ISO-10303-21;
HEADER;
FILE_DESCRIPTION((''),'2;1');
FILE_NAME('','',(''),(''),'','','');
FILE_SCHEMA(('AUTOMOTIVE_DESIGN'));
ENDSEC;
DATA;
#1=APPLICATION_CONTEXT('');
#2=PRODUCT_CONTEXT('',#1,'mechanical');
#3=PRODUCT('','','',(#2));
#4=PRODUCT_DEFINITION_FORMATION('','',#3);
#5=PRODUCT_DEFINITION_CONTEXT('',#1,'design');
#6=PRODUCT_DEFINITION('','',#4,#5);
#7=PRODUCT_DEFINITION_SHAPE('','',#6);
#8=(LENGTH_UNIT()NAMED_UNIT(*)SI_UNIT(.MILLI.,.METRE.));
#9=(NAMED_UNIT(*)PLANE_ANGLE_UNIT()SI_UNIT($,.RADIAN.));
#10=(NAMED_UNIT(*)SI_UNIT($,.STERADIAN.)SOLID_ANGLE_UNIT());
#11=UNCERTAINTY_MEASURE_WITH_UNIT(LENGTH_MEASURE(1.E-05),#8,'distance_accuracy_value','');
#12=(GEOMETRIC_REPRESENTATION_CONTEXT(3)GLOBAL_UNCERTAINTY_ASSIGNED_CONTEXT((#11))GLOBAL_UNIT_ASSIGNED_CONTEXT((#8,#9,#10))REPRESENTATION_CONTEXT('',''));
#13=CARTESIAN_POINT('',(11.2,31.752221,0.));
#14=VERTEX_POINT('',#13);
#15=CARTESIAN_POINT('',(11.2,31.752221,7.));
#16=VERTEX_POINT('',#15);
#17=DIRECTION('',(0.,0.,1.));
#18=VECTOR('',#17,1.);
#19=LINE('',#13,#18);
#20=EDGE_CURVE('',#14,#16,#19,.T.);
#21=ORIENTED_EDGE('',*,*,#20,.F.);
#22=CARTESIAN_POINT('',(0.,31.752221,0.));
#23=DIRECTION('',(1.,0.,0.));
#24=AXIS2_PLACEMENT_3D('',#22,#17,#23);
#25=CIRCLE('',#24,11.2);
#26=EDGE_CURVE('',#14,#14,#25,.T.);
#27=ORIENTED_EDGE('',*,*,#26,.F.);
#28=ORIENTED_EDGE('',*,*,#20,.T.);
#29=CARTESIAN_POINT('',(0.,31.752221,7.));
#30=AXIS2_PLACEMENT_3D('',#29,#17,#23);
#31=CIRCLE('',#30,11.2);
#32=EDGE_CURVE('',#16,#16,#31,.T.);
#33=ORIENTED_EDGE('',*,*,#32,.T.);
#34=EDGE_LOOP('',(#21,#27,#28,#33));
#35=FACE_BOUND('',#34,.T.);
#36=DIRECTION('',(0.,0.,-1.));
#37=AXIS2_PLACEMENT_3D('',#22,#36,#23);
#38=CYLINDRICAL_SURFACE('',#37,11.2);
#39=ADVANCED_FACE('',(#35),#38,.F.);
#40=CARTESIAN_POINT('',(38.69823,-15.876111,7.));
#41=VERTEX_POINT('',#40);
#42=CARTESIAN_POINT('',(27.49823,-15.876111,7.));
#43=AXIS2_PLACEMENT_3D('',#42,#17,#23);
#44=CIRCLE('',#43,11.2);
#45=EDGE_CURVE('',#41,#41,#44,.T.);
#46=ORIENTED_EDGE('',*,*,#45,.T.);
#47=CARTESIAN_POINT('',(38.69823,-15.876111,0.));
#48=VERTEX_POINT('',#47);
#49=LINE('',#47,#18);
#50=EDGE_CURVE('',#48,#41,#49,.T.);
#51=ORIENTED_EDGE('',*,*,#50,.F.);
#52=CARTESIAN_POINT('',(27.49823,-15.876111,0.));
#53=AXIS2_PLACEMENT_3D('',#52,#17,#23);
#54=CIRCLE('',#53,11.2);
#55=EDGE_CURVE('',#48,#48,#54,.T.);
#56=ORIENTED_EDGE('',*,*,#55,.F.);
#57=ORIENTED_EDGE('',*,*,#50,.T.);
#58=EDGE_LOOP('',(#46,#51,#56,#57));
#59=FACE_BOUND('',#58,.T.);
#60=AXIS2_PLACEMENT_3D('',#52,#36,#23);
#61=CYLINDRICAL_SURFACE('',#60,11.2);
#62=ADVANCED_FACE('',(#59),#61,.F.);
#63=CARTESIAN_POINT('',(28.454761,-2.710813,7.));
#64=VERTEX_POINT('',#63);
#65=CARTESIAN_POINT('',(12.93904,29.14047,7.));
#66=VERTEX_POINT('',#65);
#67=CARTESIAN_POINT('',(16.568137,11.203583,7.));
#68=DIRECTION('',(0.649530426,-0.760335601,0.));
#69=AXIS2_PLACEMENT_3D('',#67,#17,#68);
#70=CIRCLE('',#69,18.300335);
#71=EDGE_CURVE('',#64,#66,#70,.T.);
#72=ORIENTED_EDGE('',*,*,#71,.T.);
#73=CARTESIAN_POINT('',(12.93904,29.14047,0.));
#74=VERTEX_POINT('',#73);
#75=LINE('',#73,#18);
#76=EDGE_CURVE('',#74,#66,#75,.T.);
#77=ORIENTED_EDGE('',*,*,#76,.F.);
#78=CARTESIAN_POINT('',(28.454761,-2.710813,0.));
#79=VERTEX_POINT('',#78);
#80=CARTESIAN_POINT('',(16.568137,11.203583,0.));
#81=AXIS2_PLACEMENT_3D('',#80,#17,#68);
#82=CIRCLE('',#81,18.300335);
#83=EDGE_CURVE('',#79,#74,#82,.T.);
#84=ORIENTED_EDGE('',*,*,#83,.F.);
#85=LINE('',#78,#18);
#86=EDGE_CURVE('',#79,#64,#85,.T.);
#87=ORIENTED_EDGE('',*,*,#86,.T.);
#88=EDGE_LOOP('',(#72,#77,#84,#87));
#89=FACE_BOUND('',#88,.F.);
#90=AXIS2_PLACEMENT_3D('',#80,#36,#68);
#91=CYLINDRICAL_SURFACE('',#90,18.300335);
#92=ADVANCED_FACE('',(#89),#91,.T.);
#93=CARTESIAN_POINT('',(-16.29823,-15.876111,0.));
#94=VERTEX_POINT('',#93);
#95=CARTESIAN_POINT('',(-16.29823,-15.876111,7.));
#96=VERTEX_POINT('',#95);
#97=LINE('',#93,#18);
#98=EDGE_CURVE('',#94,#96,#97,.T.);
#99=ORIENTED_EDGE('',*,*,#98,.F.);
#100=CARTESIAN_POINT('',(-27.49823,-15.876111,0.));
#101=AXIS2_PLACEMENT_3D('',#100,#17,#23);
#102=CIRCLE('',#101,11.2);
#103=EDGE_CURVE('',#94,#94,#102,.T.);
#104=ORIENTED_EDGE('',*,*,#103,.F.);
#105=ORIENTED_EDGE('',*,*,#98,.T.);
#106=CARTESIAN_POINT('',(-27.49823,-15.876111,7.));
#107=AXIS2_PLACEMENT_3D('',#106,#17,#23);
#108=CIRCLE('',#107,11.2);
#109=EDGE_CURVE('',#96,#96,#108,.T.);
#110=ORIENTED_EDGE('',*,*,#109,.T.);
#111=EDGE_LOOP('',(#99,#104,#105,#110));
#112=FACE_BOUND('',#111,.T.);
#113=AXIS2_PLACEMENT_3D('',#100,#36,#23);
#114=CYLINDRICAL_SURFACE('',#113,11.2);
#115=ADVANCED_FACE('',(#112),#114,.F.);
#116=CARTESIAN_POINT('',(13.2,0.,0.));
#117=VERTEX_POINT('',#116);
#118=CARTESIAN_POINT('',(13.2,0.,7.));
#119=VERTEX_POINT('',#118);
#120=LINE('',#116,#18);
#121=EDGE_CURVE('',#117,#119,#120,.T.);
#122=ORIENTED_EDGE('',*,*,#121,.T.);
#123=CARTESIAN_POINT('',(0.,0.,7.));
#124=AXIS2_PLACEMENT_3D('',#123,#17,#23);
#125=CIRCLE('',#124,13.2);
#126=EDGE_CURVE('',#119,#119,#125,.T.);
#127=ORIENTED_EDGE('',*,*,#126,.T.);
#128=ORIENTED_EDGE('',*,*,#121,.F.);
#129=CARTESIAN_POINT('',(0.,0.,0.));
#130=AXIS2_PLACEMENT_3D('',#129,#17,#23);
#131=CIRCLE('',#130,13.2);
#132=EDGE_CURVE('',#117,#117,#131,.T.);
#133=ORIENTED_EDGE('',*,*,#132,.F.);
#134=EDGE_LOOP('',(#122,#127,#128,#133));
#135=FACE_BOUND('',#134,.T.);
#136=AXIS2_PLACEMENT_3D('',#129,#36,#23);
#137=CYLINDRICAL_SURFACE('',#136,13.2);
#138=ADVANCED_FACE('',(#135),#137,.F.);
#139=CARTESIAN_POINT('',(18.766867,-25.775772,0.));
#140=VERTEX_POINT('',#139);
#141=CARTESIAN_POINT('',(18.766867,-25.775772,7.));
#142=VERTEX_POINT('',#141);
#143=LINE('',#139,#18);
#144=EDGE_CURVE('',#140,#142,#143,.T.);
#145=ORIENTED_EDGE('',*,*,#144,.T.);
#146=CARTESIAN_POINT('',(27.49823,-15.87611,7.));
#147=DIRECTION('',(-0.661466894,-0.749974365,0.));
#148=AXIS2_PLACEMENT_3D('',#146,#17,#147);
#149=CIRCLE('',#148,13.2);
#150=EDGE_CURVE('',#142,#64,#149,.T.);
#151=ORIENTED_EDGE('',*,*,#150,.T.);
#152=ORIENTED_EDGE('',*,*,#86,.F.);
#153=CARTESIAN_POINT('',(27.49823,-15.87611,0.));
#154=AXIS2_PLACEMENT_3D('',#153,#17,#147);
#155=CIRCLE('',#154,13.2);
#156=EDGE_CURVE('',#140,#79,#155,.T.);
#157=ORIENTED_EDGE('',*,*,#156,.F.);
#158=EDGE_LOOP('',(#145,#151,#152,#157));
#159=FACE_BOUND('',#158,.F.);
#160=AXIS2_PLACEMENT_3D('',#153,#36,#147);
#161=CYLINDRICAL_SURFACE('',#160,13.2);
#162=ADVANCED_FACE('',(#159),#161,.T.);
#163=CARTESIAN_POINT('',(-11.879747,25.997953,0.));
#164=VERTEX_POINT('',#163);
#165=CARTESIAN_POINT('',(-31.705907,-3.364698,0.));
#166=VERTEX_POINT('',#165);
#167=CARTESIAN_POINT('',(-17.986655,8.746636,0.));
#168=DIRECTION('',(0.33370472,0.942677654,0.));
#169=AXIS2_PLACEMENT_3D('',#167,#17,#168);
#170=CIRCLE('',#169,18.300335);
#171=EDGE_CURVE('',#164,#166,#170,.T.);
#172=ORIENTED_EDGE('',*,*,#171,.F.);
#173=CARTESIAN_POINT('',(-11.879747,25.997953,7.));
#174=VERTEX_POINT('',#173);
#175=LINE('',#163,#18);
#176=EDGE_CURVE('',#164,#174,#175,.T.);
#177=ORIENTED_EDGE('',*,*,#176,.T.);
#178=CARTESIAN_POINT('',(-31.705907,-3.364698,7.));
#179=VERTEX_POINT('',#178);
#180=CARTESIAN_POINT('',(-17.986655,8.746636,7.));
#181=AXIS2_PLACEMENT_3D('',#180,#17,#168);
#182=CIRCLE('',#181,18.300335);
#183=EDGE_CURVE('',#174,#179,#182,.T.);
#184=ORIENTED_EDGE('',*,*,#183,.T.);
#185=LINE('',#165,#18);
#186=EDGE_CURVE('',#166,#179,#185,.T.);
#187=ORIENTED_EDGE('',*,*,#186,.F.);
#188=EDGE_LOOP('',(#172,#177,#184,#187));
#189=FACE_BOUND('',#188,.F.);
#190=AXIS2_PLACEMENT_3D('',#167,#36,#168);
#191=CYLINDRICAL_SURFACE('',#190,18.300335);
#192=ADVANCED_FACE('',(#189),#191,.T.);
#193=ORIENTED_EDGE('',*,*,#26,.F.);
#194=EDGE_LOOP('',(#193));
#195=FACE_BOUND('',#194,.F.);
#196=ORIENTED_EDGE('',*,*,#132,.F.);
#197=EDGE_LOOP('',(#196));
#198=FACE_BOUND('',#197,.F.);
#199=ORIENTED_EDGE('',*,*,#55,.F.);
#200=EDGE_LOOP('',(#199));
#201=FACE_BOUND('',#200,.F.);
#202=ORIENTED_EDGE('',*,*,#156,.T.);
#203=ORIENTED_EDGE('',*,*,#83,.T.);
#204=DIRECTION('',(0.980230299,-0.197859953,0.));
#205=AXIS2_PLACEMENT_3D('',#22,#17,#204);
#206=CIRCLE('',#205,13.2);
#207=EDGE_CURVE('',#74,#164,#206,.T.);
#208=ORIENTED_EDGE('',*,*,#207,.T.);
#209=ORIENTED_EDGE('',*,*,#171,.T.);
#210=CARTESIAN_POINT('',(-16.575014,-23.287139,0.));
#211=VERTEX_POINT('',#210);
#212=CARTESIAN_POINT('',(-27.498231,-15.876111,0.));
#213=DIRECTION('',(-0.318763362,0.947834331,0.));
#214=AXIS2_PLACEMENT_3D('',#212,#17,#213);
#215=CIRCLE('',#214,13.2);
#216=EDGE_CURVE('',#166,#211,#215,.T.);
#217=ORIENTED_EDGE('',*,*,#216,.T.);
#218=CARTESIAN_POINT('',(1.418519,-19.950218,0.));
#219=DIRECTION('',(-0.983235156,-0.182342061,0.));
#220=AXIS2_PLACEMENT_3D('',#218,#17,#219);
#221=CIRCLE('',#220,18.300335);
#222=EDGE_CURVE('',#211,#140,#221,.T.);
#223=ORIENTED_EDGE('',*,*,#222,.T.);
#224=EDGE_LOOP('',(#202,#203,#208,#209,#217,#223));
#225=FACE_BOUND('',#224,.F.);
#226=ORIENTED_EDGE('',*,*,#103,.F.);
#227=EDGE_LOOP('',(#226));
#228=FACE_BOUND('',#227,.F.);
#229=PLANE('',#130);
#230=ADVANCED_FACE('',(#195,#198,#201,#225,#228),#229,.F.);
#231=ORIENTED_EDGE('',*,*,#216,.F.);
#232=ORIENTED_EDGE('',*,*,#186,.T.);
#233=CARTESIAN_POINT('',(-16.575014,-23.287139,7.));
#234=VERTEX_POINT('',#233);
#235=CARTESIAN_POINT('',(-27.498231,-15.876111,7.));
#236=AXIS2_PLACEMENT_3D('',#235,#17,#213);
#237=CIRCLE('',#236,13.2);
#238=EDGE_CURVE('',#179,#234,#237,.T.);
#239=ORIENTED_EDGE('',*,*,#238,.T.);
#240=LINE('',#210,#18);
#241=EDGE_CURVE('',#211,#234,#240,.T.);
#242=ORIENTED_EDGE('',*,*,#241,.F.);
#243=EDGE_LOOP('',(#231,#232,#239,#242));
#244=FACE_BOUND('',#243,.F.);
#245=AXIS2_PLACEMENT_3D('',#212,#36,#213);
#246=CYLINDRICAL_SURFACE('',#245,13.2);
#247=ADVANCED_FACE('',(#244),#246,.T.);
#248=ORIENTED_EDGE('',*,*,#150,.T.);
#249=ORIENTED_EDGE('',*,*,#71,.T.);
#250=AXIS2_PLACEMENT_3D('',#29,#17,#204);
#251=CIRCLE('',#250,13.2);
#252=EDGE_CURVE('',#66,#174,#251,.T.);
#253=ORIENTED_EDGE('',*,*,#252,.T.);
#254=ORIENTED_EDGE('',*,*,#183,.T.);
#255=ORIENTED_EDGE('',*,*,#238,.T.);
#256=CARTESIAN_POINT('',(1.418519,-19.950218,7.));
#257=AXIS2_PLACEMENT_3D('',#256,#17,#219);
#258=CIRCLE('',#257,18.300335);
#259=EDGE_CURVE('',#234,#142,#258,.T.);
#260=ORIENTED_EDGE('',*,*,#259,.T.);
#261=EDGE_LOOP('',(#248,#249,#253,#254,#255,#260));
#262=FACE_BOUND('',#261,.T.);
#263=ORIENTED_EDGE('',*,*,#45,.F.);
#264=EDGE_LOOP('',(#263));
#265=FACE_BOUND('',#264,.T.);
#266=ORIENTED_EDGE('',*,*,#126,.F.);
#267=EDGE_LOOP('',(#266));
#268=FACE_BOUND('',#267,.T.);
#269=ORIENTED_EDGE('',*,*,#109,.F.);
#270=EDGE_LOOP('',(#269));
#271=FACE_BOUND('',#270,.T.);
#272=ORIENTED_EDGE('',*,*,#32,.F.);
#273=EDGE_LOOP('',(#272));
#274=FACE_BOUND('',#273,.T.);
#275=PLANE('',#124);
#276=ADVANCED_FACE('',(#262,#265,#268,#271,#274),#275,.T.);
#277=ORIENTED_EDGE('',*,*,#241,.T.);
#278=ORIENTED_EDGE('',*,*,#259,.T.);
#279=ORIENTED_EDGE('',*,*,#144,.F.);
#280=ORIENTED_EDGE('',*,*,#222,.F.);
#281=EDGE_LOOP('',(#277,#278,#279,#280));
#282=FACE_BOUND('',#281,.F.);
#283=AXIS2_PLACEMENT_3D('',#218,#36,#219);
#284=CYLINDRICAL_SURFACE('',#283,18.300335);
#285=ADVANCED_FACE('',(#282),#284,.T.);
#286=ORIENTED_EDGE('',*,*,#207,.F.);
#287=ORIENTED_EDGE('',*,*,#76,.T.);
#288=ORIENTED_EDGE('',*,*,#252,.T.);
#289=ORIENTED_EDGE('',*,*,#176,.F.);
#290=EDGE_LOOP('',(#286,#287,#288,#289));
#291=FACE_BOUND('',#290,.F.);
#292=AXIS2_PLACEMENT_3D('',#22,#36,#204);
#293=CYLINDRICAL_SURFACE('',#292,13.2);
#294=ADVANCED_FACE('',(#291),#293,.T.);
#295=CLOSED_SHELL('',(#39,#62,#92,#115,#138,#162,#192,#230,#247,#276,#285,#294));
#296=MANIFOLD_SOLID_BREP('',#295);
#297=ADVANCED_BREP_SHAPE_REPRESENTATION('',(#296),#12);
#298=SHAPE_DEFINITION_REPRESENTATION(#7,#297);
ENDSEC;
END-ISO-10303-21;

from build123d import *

# Parameters (mm, degrees)
F0_R     = 11.2
F0_R_2   = 13.2
F1_DEPTH = 7


with BuildPart() as f1:
    # F0 (on Top) → F1 (new body)
    with BuildSketch(Plane.XY):
        with BuildLine():
            ThreePointArc((28.454761, -2.710813), (33.020272, 19.217914), (12.93904, 29.14047))
            ThreePointArc((12.93904, 29.14047), (-1.658125, 44.847664), (-11.879747, 25.997953))
            ThreePointArc((-11.879747, 25.997953), (-33.153338, 18.987437), (-31.705907, -3.364698))
            ThreePointArc((-31.705907, -3.364698), (-38.010154, -23.859811), (-16.575014, -23.287139))
            ThreePointArc((-16.575014, -23.287139), (0.133066, -38.205351), (18.766867, -25.775772))
            ThreePointArc((18.766867, -25.775772), (39.668279, -20.987853), (28.454761, -2.710813))
        make_face()
        with Locations((-27.49823, -15.876111)):
            Circle(F0_R, mode=Mode.SUBTRACT)
        Circle(F0_R_2, mode=Mode.SUBTRACT)
        with Locations((27.49823, -15.876111)):
            Circle(F0_R, mode=Mode.SUBTRACT)
        with Locations((0, 31.752221)):
            Circle(F0_R, mode=Mode.SUBTRACT)
    extrude(amount=F1_DEPTH)


solid = f1.part
